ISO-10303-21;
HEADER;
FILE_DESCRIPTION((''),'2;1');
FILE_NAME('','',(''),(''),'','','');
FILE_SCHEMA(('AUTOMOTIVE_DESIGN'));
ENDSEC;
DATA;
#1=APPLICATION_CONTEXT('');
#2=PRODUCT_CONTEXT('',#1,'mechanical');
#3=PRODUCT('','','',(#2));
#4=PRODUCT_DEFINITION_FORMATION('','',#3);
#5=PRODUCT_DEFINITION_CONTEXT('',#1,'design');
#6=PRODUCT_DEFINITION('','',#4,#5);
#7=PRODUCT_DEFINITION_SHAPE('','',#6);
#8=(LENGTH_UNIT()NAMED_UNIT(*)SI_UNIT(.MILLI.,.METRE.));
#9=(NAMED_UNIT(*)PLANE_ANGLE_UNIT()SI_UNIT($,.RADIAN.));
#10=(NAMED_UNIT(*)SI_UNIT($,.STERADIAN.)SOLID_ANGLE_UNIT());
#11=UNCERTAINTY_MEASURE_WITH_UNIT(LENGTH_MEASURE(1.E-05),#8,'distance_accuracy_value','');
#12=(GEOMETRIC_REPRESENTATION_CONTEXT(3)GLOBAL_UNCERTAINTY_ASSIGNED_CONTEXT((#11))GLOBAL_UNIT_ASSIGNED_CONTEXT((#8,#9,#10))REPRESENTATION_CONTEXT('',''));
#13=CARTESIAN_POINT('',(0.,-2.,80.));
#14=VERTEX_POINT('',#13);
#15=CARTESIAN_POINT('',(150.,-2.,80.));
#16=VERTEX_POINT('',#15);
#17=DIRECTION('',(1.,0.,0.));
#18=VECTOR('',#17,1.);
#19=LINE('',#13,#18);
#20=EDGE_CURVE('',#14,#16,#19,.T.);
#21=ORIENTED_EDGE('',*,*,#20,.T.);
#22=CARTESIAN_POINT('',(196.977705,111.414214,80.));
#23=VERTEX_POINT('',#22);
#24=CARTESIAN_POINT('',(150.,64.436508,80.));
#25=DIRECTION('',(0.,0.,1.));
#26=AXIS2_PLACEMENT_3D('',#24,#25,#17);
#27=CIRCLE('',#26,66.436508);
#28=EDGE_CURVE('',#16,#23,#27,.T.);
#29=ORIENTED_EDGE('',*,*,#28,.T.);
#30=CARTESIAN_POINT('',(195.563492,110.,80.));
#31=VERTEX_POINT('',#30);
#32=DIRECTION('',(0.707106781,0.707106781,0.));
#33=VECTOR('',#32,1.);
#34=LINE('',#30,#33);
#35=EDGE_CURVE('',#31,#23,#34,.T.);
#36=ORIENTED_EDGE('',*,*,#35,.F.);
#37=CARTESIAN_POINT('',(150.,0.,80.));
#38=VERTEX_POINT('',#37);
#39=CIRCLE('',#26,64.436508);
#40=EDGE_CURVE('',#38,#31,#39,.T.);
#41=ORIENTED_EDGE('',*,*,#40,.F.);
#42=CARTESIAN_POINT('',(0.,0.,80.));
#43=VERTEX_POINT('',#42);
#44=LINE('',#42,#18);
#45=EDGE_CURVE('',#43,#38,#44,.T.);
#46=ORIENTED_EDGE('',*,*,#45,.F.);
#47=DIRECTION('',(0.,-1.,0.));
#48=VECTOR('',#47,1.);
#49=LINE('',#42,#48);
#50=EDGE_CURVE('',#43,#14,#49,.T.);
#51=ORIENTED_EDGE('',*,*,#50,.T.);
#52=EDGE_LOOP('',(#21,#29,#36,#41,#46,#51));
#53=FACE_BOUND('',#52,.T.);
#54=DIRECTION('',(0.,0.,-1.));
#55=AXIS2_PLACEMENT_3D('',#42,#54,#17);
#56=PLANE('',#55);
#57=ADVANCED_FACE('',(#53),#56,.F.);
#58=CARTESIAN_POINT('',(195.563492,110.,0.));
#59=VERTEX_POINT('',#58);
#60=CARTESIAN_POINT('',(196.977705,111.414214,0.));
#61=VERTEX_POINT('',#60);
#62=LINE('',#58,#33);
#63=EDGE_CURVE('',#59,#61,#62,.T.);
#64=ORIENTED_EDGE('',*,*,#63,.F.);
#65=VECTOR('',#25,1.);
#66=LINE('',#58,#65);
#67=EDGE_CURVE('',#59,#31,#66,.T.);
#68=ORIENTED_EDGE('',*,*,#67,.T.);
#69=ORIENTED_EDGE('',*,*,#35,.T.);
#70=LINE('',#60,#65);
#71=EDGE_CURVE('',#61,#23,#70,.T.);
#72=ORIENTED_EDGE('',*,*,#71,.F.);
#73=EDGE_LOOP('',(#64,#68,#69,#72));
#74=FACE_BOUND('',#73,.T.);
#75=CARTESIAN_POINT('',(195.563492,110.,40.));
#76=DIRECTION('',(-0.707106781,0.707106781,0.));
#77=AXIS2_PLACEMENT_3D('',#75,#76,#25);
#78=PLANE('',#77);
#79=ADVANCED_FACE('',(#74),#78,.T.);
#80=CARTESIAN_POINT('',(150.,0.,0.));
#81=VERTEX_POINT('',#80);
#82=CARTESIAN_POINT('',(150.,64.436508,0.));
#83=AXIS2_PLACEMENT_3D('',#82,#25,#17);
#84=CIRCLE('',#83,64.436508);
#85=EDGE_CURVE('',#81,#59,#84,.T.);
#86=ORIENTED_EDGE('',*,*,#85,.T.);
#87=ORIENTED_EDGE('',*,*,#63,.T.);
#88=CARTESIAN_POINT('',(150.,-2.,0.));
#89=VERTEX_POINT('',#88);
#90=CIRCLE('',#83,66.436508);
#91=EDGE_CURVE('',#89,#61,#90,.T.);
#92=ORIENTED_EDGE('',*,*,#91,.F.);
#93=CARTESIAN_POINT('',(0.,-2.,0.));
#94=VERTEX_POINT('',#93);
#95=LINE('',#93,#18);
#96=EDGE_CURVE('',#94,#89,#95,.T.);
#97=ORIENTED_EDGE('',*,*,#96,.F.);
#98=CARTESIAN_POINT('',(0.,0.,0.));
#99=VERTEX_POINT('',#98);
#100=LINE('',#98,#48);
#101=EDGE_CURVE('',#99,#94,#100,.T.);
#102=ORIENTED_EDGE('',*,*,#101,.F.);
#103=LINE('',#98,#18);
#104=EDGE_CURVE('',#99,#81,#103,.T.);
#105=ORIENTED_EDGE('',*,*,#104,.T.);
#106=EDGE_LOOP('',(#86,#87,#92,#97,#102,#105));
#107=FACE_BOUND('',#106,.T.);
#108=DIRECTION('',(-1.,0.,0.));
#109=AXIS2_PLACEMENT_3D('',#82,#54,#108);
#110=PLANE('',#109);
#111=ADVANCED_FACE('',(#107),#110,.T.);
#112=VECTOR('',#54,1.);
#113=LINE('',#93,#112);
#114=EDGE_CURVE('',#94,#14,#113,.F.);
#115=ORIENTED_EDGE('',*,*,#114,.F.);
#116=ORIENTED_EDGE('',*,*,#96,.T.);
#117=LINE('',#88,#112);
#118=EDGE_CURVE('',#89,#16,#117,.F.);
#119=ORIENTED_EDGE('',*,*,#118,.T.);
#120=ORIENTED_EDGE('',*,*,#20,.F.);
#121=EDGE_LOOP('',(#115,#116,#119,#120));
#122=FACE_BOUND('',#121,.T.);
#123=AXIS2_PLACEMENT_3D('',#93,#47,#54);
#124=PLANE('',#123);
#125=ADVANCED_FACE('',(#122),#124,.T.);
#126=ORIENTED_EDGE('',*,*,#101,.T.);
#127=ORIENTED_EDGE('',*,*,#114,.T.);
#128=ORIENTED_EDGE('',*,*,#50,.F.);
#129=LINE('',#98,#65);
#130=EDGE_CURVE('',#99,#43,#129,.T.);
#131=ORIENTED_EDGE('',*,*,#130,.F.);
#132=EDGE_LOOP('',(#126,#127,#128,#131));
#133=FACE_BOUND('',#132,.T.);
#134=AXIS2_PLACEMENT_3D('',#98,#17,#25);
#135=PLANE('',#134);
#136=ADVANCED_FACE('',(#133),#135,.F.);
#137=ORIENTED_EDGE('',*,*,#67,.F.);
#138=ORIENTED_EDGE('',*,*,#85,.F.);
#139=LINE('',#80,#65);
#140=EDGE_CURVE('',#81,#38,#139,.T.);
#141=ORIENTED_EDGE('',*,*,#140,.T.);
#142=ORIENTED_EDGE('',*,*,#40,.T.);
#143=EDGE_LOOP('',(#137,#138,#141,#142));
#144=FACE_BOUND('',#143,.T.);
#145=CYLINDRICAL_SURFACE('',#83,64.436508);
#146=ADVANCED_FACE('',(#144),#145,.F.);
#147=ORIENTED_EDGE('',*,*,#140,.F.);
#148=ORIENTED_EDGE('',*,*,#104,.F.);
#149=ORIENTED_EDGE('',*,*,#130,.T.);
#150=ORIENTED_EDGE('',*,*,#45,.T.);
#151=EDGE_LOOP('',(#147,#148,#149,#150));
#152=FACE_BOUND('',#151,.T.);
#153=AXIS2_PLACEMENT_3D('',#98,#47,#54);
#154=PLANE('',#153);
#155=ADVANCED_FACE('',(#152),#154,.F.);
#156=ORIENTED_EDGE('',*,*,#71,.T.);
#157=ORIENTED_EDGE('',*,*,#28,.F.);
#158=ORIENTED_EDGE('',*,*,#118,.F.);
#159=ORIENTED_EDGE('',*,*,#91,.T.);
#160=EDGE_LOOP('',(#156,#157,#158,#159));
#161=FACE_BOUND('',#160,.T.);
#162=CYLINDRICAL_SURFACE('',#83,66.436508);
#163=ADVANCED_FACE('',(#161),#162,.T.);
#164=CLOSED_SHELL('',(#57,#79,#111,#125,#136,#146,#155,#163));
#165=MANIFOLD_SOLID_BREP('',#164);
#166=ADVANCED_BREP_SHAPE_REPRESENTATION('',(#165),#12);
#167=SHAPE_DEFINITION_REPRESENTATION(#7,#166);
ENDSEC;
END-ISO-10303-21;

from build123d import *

# Parameters (mm, degrees)
SURFACE_EXTRUDE1_1_DEPTH = 80
THICKEN1_T2              = 2


with BuildPart() as body_1:
    # Surface-Extrude1: a surface, the sketch's curves swept straight by 80 mm
    with BuildLine(Plane.XY, mode=Mode.PRIVATE) as surface_extrude1_1_path:
        Line((0, 0), (150, 0))
        ThreePointArc((150, 0), (209.531571016, 39.777724035), (195.563491861, 110))
    surface_extrude1_1 = Shell.extrude(surface_extrude1_1_path.wire(), (0 * SURFACE_EXTRUDE1_1_DEPTH, 0 * SURFACE_EXTRUDE1_1_DEPTH, 1 * SURFACE_EXTRUDE1_1_DEPTH))
    add(Solid.thicken(surface_extrude1_1, -THICKEN1_T2))


solid = body_1.part
